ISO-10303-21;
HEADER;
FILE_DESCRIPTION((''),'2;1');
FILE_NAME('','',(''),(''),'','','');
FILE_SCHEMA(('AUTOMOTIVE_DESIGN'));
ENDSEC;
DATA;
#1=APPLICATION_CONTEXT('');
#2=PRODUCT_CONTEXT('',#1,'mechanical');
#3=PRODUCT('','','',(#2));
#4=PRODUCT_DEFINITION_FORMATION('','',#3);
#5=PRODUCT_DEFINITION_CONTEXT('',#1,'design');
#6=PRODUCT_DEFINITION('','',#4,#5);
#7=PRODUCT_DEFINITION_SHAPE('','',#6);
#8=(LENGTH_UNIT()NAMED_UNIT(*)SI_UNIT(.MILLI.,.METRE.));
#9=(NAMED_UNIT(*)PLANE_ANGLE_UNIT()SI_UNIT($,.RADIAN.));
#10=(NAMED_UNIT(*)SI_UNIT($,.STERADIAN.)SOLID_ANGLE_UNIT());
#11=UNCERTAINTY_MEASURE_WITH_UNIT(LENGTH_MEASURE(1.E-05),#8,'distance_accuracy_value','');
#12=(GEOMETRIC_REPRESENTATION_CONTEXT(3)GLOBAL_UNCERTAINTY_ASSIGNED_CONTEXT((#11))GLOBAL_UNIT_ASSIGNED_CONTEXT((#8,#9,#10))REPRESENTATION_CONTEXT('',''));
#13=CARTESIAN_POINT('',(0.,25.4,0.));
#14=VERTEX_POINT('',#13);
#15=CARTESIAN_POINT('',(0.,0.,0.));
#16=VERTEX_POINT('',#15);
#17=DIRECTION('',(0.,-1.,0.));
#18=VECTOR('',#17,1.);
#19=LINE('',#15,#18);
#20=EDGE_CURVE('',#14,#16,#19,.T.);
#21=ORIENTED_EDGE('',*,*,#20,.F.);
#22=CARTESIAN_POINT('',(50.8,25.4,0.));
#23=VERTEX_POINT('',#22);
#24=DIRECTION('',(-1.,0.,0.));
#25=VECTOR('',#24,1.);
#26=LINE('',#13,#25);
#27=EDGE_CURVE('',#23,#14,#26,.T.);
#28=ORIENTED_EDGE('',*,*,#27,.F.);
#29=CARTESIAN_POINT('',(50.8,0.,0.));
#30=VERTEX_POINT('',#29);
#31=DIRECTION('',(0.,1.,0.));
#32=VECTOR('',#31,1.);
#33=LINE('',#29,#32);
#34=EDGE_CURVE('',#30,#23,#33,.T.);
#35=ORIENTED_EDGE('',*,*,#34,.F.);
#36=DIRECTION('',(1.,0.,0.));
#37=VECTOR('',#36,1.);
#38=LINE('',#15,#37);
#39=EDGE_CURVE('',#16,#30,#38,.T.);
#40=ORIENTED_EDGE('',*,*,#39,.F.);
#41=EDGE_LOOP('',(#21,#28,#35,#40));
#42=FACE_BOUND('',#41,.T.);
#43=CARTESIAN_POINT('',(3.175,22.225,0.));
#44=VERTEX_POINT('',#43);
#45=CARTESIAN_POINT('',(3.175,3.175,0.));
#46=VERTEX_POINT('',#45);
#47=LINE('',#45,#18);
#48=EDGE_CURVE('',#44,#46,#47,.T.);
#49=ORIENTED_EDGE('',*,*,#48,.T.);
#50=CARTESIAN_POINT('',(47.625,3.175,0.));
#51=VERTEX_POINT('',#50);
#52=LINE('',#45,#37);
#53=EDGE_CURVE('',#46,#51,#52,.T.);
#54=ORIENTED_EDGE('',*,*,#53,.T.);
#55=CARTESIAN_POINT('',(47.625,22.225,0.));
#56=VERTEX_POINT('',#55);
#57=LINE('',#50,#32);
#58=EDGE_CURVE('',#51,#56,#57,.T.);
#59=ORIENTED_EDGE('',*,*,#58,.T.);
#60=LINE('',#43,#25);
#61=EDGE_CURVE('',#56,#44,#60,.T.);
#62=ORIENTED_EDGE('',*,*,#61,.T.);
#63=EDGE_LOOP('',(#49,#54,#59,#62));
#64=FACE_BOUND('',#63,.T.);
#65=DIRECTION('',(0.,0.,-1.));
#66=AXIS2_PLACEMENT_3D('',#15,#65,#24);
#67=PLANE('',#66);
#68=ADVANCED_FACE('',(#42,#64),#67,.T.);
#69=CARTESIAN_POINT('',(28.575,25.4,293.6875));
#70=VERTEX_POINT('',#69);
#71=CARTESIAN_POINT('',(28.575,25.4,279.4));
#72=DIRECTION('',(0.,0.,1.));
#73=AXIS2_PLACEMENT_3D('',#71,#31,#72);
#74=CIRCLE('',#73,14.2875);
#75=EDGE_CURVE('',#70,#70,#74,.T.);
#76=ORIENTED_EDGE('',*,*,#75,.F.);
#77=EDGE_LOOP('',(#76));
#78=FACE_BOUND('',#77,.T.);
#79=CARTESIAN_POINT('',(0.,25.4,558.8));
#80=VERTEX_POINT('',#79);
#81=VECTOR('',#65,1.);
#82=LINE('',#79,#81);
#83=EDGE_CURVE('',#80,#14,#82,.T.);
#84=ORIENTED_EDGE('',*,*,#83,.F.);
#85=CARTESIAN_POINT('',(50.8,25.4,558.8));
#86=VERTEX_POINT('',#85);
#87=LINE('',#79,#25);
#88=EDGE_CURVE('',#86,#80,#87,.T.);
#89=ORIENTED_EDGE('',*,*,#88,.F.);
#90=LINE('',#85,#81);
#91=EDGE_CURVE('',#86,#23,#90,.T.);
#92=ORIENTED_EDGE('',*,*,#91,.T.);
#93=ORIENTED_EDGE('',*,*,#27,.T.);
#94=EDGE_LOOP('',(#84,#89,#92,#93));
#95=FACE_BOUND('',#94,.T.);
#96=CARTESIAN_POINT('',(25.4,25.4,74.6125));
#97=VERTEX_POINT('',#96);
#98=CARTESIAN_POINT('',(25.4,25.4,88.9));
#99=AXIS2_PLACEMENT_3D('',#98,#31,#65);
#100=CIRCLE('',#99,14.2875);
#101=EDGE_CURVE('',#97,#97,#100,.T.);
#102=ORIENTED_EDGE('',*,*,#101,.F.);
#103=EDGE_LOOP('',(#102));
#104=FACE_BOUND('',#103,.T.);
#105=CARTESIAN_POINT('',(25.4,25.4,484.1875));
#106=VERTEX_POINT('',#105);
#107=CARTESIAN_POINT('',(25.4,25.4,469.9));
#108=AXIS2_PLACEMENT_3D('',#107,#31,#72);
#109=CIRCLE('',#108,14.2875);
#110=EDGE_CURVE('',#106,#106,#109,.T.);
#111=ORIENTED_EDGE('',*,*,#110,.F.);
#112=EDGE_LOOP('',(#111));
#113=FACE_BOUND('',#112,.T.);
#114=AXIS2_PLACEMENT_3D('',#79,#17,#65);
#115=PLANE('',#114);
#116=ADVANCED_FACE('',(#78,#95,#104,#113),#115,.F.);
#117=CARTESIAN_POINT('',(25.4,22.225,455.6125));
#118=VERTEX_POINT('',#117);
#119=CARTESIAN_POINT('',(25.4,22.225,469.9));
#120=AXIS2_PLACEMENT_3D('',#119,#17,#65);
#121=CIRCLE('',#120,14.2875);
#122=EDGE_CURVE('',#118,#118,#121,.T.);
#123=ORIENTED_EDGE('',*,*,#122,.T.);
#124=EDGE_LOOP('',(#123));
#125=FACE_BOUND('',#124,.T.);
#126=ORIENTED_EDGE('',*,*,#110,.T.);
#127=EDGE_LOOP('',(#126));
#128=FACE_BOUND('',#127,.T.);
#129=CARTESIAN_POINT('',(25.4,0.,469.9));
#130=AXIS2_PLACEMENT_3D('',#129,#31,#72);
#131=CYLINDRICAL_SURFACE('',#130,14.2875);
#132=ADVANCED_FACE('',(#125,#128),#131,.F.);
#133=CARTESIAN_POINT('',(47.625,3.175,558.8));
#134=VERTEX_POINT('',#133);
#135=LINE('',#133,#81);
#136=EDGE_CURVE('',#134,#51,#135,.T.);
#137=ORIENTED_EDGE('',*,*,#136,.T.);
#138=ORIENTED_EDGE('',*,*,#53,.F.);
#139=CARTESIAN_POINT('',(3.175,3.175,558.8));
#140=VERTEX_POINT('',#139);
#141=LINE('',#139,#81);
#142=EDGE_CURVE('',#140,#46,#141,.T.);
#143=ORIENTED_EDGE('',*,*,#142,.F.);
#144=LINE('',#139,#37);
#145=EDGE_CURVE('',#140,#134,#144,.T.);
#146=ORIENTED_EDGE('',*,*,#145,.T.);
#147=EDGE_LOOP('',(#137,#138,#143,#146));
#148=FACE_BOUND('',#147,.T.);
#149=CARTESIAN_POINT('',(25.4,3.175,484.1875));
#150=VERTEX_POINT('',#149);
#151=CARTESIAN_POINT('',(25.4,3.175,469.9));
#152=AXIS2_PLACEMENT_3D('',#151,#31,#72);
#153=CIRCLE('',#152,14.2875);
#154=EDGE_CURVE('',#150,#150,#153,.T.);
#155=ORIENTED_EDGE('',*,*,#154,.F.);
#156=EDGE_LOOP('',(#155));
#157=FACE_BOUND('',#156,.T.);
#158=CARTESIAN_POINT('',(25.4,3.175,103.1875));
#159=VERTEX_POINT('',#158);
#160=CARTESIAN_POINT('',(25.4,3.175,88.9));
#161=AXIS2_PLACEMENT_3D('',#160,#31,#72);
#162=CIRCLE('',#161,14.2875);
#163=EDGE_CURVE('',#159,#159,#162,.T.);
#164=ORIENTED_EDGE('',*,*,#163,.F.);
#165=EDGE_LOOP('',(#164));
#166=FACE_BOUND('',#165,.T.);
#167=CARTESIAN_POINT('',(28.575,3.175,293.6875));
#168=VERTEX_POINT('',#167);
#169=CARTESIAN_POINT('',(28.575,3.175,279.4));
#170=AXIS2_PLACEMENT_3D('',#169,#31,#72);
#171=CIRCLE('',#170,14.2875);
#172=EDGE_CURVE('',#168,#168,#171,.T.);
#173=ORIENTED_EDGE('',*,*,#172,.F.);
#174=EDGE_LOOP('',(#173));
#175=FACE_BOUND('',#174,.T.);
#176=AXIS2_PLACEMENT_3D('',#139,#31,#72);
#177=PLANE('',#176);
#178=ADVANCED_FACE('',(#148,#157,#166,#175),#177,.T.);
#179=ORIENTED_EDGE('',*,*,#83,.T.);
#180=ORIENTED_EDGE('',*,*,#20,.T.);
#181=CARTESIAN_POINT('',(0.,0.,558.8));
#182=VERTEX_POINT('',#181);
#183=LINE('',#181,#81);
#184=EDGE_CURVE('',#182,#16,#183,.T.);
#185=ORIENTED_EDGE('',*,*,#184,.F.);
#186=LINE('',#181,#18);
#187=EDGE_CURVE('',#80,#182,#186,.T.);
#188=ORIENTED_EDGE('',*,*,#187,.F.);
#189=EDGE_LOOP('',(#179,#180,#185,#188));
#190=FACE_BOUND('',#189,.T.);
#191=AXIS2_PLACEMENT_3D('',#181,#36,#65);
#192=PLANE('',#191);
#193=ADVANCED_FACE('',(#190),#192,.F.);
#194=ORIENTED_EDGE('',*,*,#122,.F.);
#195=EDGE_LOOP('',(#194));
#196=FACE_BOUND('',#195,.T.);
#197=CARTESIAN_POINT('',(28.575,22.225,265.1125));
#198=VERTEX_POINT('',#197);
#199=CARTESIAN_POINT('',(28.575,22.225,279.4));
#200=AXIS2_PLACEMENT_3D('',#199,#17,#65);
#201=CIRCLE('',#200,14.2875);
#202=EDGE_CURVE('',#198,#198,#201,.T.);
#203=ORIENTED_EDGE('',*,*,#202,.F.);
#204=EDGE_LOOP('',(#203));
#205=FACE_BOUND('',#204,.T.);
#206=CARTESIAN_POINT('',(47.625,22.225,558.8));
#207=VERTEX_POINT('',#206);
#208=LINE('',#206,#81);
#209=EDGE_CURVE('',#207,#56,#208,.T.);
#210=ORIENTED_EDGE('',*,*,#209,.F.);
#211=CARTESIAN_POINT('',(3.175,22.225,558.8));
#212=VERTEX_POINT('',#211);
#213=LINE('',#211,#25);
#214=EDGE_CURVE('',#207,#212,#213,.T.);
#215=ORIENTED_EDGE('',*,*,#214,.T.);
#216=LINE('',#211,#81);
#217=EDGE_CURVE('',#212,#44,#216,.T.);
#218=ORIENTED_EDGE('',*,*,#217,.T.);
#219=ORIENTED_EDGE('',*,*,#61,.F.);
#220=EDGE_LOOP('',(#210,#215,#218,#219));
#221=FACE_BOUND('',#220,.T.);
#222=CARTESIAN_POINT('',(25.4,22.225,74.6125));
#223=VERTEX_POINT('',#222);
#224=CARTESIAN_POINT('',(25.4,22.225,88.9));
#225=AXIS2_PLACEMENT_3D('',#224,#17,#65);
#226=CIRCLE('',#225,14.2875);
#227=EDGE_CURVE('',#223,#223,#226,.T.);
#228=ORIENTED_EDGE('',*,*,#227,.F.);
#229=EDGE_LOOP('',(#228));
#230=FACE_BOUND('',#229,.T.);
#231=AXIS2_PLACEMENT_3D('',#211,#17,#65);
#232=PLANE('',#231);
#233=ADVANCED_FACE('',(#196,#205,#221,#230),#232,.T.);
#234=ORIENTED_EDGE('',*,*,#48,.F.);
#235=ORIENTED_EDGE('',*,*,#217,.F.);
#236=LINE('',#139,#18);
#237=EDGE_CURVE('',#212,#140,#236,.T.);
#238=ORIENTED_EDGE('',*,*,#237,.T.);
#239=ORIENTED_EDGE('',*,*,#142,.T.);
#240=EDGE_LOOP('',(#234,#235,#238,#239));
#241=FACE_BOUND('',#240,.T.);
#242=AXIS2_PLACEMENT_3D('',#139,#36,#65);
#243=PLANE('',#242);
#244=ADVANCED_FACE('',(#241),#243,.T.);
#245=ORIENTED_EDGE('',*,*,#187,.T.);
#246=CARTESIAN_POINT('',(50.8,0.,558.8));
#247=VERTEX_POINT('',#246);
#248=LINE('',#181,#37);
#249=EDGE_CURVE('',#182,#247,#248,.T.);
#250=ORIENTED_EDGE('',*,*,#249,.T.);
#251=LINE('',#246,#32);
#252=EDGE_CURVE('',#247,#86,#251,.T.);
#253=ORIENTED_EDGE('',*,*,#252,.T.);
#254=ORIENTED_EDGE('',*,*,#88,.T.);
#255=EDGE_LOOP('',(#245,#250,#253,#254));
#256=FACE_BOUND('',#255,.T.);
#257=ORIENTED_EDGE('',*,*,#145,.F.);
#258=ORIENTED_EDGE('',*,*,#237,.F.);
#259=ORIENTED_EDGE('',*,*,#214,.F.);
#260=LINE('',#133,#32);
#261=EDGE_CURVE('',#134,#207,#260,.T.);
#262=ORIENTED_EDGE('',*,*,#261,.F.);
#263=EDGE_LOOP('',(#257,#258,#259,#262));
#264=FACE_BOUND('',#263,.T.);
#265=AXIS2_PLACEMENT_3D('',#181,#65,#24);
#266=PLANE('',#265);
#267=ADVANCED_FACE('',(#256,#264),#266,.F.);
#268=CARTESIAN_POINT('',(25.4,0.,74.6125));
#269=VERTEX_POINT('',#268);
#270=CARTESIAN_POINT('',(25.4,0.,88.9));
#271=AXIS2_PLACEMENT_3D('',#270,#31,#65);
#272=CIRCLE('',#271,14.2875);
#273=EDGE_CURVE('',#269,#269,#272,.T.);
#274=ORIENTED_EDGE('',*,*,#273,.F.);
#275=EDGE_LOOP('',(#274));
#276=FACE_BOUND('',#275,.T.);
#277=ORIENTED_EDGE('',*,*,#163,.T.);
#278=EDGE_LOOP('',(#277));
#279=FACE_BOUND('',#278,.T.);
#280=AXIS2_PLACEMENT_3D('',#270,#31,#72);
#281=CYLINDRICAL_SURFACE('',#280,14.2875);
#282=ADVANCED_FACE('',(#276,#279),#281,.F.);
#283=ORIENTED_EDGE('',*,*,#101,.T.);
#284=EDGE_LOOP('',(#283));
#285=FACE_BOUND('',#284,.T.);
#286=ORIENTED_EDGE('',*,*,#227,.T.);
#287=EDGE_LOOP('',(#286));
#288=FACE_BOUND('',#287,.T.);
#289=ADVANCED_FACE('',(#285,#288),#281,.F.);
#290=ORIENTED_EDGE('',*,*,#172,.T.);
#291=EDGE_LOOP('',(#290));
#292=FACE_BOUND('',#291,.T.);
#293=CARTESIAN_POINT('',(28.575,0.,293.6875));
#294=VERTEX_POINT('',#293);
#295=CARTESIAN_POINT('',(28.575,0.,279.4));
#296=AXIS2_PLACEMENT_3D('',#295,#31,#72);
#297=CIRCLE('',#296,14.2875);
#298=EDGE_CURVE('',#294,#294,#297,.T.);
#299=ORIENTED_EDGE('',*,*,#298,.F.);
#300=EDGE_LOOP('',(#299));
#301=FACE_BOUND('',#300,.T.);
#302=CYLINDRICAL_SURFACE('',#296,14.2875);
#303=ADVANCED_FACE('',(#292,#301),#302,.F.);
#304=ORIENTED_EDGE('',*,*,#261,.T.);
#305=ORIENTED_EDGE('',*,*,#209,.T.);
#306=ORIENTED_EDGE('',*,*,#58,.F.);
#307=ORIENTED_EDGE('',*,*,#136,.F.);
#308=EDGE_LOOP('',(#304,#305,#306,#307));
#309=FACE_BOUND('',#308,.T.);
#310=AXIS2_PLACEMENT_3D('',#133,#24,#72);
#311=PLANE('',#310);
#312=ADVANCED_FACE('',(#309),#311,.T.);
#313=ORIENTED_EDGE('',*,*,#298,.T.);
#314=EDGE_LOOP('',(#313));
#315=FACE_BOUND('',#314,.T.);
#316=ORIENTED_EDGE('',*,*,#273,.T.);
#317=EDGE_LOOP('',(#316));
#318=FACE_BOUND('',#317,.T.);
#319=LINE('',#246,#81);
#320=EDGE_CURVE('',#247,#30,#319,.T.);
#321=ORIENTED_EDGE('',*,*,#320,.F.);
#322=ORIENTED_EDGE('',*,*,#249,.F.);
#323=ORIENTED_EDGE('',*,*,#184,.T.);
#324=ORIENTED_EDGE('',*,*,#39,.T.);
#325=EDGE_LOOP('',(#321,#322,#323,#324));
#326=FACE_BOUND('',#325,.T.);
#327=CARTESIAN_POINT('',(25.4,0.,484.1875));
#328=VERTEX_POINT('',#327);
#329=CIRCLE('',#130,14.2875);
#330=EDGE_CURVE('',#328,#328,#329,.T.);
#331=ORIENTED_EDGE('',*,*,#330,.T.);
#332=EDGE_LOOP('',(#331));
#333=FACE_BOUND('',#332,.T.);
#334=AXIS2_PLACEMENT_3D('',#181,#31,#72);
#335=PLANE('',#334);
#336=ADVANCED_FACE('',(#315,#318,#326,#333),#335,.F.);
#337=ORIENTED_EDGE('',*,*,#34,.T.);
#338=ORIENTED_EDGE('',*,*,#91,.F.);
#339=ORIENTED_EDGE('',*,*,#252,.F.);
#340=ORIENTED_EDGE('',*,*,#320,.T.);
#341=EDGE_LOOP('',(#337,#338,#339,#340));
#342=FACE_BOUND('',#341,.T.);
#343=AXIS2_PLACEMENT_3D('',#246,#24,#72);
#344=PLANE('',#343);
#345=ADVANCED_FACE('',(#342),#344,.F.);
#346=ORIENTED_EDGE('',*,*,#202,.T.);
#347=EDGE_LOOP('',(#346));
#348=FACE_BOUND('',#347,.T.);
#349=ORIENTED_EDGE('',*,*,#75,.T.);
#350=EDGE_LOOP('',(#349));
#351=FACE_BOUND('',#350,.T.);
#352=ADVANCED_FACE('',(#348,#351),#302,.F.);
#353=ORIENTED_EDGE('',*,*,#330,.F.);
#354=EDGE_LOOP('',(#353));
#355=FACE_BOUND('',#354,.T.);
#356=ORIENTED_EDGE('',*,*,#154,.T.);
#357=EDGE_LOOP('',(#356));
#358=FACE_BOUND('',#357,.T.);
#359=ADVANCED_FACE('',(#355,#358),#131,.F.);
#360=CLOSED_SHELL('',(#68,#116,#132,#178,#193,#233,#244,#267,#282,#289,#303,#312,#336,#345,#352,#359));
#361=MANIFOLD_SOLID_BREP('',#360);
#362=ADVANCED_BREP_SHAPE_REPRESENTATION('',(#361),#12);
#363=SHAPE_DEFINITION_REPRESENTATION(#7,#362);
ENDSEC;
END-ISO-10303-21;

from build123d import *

# Parameters (mm, degrees)
SKETCH1_W           = 50.8
SKETCH1_H           = 25.4
SKETCH1_W_2         = 44.45
SKETCH1_H_2         = 19.05
BOSS_EXTRUDE1_DEPTH = 558.8
SKETCH2_R           = 14.2875
CUT_EXTRUDE1_DEPTH  = 562.678947442


with BuildPart() as part:
    # Sketch1 → Boss-Extrude1 (new body)
    with BuildSketch(Plane.XY):
        with Locations((25.4, 12.7)):
            Rectangle(SKETCH1_W, SKETCH1_H)
        with Locations((25.4, 12.7)):
            Rectangle(SKETCH1_W_2, SKETCH1_H_2, mode=Mode.SUBTRACT)
    extrude(amount=BOSS_EXTRUDE1_DEPTH)

    # Sketch2 → Cut-Extrude1 (cut, through all)
    with BuildSketch(Plane(origin=(0, 25.4, 0), x_dir=(1, 0, 0), z_dir=(0, 1, 0))):
        with Locations(Location((28.575, -279.4, 0), (0, 0, 270))):
            Circle(SKETCH2_R)
        with Locations(Location((25.4, -469.9, 0), (0, 0, 270))):
            Circle(SKETCH2_R)
        with Locations(Location((25.4, -88.9, 0), (0, 0, 90))):
            Circle(SKETCH2_R)
    extrude(amount=-CUT_EXTRUDE1_DEPTH, mode=Mode.SUBTRACT)


solid = part.part
